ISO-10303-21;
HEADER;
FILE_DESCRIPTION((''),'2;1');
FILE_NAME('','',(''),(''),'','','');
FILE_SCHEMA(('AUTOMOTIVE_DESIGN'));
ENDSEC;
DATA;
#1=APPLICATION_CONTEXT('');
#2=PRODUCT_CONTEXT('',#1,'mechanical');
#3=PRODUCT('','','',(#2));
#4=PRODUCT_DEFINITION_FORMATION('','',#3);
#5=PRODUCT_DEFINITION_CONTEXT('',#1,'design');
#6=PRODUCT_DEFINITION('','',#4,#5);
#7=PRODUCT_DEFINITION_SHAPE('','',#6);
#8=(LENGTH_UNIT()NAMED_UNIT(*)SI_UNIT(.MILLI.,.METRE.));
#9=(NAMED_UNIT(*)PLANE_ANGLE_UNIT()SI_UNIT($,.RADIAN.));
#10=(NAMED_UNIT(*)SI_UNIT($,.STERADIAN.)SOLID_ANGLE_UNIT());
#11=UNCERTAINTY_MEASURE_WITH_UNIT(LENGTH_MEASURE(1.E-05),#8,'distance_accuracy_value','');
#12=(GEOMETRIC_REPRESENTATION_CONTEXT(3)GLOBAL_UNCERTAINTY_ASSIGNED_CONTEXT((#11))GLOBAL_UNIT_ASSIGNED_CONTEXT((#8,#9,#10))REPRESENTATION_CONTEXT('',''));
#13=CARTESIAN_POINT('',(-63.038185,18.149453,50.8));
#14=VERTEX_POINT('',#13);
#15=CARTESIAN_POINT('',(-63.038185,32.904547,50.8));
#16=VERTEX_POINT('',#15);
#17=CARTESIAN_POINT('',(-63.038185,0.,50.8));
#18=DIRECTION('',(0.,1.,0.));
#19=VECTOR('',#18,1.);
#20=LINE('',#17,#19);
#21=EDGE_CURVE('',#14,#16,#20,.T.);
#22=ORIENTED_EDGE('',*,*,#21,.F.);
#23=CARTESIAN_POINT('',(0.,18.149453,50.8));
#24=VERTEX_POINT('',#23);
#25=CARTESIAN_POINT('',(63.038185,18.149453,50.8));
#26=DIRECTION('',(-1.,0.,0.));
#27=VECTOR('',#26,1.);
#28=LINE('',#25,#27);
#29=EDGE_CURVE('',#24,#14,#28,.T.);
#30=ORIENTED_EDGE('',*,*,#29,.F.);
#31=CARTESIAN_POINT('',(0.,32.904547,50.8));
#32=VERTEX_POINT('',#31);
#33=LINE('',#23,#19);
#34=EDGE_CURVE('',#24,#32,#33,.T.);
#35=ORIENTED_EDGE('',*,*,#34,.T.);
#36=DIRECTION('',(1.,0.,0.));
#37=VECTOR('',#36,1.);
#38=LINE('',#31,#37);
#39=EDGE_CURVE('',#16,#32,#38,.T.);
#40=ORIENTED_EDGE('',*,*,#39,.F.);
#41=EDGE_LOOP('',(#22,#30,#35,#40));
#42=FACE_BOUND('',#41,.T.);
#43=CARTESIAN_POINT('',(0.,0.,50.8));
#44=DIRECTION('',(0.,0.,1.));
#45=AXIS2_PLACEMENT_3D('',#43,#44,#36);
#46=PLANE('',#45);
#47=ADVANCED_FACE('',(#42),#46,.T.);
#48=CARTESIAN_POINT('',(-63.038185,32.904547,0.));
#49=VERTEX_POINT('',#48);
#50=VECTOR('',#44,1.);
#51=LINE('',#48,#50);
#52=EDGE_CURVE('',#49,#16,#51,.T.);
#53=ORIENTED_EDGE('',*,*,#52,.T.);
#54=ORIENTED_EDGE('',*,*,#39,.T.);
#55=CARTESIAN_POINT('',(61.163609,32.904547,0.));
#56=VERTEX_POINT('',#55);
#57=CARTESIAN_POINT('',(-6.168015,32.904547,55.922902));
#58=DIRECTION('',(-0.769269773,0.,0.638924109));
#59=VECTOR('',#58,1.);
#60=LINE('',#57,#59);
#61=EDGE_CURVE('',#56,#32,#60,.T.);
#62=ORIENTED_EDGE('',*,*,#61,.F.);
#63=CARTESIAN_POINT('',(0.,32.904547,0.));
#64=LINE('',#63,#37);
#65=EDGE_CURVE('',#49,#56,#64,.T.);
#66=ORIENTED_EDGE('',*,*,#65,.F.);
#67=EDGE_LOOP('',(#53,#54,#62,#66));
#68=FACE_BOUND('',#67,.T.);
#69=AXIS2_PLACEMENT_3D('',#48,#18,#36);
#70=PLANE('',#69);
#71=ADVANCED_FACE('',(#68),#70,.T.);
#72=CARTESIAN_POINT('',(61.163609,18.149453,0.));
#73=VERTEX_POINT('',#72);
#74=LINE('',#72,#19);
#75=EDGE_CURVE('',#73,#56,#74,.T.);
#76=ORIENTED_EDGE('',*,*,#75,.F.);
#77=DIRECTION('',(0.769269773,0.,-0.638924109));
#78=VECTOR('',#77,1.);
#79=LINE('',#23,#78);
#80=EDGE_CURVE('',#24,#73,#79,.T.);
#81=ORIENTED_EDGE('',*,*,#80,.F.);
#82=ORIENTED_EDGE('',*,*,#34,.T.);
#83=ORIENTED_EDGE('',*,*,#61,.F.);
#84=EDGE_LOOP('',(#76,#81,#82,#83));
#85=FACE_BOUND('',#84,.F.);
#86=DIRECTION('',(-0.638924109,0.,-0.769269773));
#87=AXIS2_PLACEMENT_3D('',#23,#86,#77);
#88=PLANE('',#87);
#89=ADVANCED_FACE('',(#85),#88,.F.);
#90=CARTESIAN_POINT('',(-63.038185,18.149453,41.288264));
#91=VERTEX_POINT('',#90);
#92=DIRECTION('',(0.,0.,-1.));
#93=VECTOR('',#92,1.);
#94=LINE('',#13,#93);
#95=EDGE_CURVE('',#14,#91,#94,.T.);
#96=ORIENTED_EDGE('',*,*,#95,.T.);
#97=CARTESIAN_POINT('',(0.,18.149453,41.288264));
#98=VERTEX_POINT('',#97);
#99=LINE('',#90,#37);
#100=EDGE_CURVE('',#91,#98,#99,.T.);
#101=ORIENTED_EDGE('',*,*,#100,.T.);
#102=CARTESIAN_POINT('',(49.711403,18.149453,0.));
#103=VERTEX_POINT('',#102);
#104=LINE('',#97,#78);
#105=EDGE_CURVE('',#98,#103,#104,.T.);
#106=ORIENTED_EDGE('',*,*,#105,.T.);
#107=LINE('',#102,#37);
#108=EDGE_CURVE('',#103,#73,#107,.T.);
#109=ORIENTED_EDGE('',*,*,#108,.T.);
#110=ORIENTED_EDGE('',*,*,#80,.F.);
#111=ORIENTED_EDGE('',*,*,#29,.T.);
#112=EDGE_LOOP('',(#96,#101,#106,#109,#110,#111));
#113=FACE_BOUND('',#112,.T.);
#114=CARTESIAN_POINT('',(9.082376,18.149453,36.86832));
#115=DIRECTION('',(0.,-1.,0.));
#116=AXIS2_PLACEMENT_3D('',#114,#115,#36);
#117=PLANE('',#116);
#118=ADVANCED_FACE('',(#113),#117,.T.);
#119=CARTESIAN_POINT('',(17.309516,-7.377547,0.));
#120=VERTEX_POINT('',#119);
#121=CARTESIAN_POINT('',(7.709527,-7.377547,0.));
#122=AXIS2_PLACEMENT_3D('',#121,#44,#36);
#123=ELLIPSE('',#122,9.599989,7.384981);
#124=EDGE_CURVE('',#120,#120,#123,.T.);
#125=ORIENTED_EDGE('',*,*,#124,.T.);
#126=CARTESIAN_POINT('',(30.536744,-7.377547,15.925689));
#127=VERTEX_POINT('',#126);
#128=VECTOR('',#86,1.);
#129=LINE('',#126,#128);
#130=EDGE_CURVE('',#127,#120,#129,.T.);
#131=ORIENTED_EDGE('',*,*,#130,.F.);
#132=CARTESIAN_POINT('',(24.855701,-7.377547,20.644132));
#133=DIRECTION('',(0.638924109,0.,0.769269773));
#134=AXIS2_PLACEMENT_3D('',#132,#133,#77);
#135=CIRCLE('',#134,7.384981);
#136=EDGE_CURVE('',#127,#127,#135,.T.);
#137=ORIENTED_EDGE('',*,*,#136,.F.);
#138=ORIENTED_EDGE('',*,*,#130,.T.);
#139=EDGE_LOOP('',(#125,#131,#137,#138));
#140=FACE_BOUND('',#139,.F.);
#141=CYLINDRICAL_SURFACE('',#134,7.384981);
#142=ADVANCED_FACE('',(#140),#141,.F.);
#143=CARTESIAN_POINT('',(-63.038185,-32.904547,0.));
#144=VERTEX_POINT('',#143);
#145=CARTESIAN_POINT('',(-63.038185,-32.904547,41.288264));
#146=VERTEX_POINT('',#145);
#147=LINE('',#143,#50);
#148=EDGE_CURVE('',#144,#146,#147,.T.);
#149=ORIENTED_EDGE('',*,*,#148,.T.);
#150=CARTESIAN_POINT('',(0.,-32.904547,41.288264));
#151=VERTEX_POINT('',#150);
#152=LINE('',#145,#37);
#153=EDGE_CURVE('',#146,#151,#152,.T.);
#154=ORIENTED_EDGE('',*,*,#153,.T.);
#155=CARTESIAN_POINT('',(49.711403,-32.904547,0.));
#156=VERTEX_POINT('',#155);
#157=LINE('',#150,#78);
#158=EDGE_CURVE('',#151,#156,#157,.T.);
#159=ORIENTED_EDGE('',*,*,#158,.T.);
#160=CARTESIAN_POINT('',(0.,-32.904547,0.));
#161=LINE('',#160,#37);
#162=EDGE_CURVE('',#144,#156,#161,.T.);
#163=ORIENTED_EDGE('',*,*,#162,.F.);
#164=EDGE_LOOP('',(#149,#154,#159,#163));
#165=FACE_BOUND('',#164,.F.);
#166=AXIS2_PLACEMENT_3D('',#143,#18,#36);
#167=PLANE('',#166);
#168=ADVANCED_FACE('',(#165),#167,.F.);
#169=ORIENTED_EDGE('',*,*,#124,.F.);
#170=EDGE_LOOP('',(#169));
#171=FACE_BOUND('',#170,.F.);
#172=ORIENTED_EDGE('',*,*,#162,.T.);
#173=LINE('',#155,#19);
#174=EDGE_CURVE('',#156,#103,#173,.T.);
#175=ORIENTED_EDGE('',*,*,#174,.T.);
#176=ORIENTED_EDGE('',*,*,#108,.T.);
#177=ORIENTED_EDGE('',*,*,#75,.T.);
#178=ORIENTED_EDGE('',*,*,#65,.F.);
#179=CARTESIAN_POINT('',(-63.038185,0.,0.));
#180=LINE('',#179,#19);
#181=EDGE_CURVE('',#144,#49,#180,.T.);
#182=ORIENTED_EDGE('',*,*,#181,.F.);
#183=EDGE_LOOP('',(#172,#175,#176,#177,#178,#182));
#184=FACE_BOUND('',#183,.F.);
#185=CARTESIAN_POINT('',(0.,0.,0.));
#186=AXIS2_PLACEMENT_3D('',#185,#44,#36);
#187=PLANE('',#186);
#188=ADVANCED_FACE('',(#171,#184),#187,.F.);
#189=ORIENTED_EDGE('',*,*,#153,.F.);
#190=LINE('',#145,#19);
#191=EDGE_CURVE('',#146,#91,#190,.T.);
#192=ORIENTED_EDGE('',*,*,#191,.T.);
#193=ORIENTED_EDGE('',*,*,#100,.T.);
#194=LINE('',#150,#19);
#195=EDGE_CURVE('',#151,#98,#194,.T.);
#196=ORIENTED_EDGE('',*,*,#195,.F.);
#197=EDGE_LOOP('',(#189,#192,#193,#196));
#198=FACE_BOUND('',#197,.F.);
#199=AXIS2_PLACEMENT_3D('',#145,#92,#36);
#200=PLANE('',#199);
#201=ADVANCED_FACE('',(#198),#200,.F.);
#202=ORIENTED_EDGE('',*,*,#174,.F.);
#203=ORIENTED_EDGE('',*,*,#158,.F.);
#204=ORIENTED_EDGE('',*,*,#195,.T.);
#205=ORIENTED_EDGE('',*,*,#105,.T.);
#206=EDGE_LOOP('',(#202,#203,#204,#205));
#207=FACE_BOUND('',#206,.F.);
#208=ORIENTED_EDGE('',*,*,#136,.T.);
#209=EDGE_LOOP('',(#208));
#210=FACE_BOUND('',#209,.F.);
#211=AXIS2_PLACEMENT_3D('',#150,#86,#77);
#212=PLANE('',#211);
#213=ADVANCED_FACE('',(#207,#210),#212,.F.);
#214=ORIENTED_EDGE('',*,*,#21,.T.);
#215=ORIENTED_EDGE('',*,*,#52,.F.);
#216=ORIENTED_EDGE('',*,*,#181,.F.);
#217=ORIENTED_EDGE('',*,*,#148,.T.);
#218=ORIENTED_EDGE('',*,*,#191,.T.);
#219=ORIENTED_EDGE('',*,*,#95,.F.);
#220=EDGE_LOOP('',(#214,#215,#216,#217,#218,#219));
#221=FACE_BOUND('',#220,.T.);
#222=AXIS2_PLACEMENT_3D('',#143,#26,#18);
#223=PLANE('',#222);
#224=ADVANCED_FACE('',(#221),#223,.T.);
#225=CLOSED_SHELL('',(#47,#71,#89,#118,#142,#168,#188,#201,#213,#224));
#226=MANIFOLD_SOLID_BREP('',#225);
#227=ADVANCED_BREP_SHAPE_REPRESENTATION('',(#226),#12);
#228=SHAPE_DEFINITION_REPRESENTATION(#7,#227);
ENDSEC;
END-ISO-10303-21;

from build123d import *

# Parameters (mm, degrees)
F0_W     = 126.0763704777
F0_H     = 65.8090934157
F1_DEPTH = 50.8
F3_DEPTH = 51.054
F5_DEPTH = 25.4
F6_R     = 7.3849812588
F7_DEPTH = 47.244


with BuildPart() as f1:
    # F0 (on Top) → F1 (new body)
    with BuildSketch(Plane.XY):
        Rectangle(F0_W, F0_H)
    extrude(amount=F1_DEPTH)

    # F2 (on face) → F3 (cut)
    with BuildSketch(Plane.XZ.offset(32.9045467079)):
        Polygon((63.0381852388, 50.8), (-63.0381852388, 50.8), (-63.0381852388, 41.2882640958), (0, 41.2882640958), (49.7114025056, 0), (63.0381852388, 0), align=None)
    extrude(amount=-F3_DEPTH, mode=Mode.SUBTRACT)

    # F4 (on face) → F5 (cut)
    with BuildSketch(Plane.XZ.offset(-18.1494532921)):
        Polygon((63.0381852388, 50.8), (0, 50.8), (61.1636091415, 0), (63.0381852388, 0), align=None)
    extrude(amount=-F5_DEPTH, mode=Mode.SUBTRACT)

    # F6 (on face) → F7 (cut)
    with BuildSketch(Plane(origin=(20.2933884067, 0, 24.433403084), x_dir=(0.7692697728, 0, -0.6389241087), z_dir=(0.6389241087, 0, 0.7692697728))):
        with Locations((5.9307059858, -7.3775467079)):
            Circle(F6_R)
    extrude(amount=-F7_DEPTH, mode=Mode.SUBTRACT)


solid = f1.part
